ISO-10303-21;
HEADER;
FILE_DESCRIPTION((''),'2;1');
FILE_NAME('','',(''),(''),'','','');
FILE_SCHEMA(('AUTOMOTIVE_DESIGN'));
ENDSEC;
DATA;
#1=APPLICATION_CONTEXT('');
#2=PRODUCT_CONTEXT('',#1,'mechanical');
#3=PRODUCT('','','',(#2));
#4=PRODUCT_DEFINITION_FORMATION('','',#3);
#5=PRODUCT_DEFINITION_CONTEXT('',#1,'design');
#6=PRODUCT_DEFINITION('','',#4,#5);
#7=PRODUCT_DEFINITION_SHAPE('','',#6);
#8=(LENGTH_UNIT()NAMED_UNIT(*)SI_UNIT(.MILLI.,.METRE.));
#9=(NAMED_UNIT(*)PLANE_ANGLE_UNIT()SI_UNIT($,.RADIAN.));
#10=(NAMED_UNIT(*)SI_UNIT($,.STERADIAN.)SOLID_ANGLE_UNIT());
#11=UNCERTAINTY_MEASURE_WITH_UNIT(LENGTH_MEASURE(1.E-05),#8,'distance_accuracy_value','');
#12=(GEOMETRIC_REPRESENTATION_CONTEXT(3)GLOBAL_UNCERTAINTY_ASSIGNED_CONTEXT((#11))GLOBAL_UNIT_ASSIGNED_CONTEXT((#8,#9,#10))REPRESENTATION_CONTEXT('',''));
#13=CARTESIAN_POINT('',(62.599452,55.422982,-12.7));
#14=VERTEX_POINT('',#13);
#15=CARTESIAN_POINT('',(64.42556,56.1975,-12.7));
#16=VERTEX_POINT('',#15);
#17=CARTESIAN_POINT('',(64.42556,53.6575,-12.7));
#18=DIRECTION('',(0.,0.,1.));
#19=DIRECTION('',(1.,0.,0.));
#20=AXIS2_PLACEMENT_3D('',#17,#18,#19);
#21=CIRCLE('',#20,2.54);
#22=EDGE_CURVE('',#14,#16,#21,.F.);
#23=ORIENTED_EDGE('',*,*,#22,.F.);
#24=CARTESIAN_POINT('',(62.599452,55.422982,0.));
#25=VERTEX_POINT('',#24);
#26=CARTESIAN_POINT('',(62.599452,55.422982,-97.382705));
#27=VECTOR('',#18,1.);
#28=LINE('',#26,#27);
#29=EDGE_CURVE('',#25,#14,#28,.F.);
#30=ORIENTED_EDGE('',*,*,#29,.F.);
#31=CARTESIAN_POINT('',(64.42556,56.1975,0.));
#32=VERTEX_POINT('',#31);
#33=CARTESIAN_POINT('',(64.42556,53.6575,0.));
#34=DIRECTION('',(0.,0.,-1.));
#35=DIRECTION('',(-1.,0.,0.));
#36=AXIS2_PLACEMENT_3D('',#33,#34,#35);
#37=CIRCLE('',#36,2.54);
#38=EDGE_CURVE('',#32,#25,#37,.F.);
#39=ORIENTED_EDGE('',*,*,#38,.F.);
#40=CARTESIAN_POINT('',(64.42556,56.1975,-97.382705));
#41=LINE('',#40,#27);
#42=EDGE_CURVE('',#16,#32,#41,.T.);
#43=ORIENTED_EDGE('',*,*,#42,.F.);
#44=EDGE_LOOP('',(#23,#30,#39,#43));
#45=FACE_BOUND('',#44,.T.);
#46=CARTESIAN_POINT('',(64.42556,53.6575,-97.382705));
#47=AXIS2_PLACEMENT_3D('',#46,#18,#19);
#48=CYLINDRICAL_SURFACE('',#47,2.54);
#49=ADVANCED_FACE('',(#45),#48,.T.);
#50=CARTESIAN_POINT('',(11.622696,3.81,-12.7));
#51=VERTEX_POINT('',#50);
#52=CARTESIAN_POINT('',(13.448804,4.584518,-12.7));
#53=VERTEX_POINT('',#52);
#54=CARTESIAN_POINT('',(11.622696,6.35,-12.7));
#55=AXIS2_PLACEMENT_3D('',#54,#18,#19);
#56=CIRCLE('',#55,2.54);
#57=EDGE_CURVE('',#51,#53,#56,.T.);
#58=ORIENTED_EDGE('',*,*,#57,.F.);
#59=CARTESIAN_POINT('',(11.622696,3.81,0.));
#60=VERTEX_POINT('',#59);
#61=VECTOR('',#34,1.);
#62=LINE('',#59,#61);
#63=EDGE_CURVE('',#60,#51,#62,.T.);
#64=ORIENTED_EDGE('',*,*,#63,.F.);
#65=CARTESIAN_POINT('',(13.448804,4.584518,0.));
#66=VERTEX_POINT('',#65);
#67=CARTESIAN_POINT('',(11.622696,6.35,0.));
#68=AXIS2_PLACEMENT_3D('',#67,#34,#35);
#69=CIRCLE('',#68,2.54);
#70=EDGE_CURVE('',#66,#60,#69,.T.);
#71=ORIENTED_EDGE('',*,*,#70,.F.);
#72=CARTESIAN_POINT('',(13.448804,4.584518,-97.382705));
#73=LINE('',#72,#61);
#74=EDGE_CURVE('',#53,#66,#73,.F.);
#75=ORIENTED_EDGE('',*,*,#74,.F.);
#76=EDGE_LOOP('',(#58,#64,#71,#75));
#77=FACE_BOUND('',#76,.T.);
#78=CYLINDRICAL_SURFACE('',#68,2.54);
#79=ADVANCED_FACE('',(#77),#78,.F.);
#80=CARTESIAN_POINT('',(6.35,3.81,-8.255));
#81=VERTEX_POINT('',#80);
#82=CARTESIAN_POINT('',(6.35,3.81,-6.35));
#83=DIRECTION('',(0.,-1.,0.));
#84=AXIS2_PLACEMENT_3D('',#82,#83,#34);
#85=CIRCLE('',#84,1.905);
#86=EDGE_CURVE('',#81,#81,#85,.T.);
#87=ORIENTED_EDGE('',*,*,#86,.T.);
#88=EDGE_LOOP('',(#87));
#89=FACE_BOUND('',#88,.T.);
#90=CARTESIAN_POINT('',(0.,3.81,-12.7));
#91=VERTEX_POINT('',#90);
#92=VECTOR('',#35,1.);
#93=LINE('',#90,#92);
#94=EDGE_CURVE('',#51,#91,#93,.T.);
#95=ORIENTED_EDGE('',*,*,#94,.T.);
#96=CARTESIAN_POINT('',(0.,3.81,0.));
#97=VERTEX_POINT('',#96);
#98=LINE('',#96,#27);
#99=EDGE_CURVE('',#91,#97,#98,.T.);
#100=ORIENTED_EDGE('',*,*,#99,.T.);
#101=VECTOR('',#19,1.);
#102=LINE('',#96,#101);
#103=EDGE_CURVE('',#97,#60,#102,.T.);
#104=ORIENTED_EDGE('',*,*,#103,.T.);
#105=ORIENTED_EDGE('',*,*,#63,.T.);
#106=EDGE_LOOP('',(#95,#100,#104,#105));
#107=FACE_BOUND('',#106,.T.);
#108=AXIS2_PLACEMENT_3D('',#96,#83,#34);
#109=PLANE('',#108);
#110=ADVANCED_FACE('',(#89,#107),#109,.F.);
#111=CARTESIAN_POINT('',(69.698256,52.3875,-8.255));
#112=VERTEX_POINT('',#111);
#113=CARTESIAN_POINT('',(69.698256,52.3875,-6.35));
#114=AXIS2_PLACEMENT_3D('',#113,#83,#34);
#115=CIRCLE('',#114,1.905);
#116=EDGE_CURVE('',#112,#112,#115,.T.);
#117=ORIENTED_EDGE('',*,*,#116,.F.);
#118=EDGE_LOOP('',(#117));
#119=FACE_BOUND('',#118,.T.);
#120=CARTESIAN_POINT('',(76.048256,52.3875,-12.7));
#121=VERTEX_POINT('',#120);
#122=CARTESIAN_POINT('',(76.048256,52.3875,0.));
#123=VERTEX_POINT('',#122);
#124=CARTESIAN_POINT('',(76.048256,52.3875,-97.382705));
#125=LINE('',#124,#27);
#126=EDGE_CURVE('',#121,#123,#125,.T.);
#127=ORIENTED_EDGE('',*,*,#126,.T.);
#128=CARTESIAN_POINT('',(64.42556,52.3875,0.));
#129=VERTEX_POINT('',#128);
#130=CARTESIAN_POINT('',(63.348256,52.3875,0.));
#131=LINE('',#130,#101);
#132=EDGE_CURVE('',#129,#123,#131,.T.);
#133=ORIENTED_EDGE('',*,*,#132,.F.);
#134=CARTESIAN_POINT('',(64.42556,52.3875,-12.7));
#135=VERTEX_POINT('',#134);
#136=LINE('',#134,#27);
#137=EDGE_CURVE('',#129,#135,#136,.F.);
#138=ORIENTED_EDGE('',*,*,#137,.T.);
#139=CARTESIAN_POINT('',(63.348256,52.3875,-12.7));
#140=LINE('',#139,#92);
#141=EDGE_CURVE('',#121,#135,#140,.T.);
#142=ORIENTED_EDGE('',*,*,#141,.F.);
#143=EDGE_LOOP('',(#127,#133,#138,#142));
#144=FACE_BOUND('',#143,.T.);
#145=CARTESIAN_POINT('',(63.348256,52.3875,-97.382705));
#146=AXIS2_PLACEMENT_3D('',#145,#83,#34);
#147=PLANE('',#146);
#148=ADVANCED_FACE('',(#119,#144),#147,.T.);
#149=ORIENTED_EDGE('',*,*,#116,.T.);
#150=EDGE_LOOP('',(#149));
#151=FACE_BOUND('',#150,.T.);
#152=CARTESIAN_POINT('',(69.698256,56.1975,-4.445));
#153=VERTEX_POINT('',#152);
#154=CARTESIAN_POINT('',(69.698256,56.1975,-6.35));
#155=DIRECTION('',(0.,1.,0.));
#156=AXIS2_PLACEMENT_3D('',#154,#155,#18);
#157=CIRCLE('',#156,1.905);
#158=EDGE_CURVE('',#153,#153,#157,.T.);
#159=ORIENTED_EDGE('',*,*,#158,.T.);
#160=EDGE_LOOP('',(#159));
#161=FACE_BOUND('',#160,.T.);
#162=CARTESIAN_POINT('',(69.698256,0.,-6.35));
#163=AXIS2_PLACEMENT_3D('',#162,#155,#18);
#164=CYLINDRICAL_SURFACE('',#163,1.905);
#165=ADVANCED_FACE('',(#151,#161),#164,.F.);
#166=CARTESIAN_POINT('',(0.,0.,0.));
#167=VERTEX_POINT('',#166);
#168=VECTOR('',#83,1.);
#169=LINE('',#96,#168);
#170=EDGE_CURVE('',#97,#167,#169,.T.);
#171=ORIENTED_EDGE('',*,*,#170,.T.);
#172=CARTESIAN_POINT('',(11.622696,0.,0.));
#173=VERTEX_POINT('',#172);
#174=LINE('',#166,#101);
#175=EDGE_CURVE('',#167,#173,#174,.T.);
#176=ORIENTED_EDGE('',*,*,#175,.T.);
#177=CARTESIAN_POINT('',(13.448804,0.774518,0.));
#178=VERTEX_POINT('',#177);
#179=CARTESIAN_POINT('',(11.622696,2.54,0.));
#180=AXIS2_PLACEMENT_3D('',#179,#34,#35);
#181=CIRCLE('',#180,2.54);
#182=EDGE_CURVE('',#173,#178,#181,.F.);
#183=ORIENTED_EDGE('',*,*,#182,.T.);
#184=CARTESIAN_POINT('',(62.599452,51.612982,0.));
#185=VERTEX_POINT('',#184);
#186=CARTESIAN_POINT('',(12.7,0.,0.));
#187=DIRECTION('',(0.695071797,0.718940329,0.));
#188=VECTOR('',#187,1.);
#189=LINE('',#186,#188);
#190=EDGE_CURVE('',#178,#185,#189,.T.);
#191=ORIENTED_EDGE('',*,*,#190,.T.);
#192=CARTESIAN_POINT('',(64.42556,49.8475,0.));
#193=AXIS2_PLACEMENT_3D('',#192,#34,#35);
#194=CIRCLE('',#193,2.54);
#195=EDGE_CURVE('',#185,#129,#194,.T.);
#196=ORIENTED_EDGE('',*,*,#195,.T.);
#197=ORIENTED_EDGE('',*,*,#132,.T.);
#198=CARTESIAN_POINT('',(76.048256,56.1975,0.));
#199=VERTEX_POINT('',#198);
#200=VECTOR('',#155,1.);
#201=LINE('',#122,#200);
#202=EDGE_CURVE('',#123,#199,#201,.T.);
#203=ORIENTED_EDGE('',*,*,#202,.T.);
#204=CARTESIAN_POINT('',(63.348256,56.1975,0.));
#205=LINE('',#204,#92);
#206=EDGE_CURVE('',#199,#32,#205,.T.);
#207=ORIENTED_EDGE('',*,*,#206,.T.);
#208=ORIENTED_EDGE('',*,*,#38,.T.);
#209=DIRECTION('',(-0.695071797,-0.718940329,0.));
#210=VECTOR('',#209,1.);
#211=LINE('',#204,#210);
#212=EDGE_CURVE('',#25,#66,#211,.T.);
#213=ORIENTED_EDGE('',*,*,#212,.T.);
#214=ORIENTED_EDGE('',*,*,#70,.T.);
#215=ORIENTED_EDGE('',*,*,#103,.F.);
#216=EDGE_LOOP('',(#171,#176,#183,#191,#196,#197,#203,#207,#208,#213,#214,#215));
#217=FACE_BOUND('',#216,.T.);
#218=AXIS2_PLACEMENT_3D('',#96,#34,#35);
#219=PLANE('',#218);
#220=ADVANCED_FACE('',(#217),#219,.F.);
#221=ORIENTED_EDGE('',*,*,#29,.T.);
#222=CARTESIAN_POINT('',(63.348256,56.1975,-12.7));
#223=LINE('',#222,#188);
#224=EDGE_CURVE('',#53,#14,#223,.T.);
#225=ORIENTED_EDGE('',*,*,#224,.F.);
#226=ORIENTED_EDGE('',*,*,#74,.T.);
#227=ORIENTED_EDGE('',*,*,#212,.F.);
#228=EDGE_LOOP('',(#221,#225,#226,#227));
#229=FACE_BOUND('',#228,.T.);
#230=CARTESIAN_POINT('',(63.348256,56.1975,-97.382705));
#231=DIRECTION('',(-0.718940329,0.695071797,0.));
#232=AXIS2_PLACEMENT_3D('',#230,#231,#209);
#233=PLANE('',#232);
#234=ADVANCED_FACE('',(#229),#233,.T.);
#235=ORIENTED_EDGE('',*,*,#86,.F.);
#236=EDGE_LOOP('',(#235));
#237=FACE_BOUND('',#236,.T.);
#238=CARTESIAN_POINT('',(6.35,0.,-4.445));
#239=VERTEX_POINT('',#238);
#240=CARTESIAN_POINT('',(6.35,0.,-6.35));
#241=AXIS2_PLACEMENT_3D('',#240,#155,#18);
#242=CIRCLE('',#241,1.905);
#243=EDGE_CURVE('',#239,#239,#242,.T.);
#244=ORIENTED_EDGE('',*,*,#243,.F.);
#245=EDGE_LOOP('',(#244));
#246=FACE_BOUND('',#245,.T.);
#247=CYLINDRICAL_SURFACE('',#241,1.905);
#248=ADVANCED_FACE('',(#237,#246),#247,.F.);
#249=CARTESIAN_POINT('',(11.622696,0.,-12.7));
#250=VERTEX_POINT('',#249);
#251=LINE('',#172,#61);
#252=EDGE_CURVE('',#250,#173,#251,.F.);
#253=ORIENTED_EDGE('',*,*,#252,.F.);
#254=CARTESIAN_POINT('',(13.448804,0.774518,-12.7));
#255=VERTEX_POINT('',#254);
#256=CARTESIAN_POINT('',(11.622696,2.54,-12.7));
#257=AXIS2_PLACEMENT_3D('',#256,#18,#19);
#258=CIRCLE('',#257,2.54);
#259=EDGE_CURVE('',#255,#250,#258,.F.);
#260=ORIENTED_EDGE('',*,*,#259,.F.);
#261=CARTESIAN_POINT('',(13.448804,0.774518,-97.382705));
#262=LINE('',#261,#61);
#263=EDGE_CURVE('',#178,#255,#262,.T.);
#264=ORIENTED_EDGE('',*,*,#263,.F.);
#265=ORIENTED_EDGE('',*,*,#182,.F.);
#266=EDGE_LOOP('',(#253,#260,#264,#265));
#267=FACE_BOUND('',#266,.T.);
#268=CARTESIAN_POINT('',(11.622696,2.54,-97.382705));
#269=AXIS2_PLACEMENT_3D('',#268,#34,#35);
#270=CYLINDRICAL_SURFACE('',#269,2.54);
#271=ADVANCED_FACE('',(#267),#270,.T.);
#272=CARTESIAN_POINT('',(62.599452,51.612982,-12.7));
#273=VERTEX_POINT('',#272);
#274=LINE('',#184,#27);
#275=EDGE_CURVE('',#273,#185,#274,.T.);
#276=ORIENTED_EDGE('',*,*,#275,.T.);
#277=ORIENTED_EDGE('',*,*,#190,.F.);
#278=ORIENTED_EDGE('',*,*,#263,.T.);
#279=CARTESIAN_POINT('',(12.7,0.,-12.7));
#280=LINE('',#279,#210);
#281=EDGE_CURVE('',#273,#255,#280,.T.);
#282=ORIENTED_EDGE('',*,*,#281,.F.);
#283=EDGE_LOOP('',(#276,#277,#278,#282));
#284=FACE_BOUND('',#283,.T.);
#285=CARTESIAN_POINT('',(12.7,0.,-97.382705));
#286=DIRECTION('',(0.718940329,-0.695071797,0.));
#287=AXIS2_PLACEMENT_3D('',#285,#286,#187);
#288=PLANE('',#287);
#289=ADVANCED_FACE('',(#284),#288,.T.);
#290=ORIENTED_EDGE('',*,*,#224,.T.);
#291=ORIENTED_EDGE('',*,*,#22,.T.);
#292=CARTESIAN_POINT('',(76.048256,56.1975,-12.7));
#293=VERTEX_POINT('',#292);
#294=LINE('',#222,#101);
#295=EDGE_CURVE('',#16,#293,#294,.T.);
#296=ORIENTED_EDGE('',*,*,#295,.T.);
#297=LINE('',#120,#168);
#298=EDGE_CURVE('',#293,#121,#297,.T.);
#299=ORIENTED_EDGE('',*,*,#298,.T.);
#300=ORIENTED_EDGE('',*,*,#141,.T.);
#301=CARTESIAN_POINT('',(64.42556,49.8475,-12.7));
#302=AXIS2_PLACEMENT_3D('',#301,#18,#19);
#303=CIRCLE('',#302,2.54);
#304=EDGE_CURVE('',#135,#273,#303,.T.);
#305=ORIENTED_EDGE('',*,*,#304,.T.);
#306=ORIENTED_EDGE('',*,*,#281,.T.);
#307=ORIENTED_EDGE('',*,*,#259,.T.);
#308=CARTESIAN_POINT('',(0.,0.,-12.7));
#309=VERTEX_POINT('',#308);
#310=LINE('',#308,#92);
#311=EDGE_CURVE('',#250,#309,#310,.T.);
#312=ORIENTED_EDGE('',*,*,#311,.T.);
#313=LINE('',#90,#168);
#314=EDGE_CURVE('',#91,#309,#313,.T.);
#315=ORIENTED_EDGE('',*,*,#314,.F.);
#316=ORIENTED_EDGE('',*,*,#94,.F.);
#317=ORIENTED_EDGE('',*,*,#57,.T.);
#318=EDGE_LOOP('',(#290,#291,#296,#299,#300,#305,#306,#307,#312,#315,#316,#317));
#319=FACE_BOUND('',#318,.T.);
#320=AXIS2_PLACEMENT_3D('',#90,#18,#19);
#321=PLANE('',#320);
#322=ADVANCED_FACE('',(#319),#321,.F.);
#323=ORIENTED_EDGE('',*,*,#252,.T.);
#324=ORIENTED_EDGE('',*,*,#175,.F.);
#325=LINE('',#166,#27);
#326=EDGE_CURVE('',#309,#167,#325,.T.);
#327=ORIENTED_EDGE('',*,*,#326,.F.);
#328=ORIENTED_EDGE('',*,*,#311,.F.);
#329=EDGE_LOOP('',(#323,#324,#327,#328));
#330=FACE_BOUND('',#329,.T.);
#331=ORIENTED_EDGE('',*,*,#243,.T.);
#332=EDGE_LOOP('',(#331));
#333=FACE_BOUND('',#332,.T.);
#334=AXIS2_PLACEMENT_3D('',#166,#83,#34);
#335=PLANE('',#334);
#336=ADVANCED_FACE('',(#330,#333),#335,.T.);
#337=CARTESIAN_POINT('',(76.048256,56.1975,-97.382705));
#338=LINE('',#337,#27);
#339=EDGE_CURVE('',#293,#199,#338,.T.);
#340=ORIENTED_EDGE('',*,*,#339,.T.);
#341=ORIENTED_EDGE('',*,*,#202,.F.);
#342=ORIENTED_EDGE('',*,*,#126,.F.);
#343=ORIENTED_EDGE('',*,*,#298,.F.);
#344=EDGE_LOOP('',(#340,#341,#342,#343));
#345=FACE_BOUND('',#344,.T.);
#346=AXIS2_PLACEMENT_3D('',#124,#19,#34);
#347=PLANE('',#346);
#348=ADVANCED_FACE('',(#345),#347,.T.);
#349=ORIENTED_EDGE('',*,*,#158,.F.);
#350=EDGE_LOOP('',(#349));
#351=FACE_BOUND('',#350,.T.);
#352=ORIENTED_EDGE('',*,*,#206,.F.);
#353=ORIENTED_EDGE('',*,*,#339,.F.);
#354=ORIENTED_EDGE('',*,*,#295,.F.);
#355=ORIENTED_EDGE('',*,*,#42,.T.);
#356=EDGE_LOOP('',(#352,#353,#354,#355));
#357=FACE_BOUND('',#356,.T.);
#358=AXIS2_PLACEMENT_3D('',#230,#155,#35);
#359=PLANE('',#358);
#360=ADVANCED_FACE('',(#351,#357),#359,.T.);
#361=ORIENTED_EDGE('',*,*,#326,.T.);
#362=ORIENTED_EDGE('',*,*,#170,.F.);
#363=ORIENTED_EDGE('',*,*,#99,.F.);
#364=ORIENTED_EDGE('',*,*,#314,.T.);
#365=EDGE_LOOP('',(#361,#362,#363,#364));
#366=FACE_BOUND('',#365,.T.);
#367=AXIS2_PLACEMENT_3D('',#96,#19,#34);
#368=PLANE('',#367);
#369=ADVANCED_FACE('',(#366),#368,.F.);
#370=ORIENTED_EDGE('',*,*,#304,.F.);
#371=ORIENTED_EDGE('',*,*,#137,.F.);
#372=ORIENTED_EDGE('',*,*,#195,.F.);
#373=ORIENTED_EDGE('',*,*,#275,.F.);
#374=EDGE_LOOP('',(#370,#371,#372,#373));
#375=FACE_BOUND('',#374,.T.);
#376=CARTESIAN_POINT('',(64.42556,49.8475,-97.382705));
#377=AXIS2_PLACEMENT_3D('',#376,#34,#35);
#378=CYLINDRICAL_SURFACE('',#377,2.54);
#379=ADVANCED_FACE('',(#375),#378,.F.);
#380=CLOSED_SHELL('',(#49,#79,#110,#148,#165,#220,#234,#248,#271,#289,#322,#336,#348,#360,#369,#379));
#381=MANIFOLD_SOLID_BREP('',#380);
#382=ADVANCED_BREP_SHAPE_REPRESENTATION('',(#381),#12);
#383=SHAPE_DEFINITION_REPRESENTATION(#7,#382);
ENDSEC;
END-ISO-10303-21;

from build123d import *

# Parameters (mm, degrees)
SKETCH1_W               = 12.7
SKETCH1_H               = 12.7
BOSS_EXTRUDE1_DEPTH     = 3.81
BOSS_EXTRUDE2_DEPTH     = 12.7
FILLET1_R               = 2.54
SKETCH6_R               = 1.905
CUT_EXTRUDE1_DEPTH      = 53.3875
CUT_EXTRUDE1_DEPTH_BACK = 4.81


with BuildPart() as part:
    # Sketch1 → Boss-Extrude1 (new body)
    with BuildSketch(Plane(origin=(0, 0, 0), x_dir=(1, 0, 0), z_dir=(0, 1, 0))):
        with Locations((6.35, 6.35)):
            Rectangle(SKETCH1_W, SKETCH1_H)
    extrude(amount=BOSS_EXTRUDE1_DEPTH)

    # Sketch2 → Boss-Extrude2 (add)
    with BuildSketch(Plane.XY):
        Polygon((12.7, 0), (63.348255925, 52.3875), (76.048255925, 52.3875), (76.048255925, 56.1975), (63.348255925, 56.1975), (12.7, 3.81), align=None)
    extrude(amount=-BOSS_EXTRUDE2_DEPTH)

    # Fillet1
    fillet1_edges = [part.edges().sort_by_distance(p)[0] for p in [
        (12.7, 3.81, -6.35),
        (63.348255925, 56.1975, -6.35),
        (63.348255925, 52.3875, -6.35),
        (12.7, 0, -6.35),
    ]]
    fillet(fillet1_edges, radius=FILLET1_R)

    # Sketch6 → Cut-Extrude1 (cut, two sides)
    with BuildSketch(Plane(origin=(0, 3.81, 0), x_dir=(1, 0, 0), z_dir=(0, 1, 0))) as cut_extrude1_sk:
        with Locations((6.35, 6.35)):
            Circle(SKETCH6_R)
        with Locations((69.698255925, 6.35)):
            Circle(SKETCH6_R)
    extrude(amount=CUT_EXTRUDE1_DEPTH, mode=Mode.SUBTRACT)
    extrude(cut_extrude1_sk.sketch, amount=-CUT_EXTRUDE1_DEPTH_BACK, mode=Mode.SUBTRACT)


solid = part.part
